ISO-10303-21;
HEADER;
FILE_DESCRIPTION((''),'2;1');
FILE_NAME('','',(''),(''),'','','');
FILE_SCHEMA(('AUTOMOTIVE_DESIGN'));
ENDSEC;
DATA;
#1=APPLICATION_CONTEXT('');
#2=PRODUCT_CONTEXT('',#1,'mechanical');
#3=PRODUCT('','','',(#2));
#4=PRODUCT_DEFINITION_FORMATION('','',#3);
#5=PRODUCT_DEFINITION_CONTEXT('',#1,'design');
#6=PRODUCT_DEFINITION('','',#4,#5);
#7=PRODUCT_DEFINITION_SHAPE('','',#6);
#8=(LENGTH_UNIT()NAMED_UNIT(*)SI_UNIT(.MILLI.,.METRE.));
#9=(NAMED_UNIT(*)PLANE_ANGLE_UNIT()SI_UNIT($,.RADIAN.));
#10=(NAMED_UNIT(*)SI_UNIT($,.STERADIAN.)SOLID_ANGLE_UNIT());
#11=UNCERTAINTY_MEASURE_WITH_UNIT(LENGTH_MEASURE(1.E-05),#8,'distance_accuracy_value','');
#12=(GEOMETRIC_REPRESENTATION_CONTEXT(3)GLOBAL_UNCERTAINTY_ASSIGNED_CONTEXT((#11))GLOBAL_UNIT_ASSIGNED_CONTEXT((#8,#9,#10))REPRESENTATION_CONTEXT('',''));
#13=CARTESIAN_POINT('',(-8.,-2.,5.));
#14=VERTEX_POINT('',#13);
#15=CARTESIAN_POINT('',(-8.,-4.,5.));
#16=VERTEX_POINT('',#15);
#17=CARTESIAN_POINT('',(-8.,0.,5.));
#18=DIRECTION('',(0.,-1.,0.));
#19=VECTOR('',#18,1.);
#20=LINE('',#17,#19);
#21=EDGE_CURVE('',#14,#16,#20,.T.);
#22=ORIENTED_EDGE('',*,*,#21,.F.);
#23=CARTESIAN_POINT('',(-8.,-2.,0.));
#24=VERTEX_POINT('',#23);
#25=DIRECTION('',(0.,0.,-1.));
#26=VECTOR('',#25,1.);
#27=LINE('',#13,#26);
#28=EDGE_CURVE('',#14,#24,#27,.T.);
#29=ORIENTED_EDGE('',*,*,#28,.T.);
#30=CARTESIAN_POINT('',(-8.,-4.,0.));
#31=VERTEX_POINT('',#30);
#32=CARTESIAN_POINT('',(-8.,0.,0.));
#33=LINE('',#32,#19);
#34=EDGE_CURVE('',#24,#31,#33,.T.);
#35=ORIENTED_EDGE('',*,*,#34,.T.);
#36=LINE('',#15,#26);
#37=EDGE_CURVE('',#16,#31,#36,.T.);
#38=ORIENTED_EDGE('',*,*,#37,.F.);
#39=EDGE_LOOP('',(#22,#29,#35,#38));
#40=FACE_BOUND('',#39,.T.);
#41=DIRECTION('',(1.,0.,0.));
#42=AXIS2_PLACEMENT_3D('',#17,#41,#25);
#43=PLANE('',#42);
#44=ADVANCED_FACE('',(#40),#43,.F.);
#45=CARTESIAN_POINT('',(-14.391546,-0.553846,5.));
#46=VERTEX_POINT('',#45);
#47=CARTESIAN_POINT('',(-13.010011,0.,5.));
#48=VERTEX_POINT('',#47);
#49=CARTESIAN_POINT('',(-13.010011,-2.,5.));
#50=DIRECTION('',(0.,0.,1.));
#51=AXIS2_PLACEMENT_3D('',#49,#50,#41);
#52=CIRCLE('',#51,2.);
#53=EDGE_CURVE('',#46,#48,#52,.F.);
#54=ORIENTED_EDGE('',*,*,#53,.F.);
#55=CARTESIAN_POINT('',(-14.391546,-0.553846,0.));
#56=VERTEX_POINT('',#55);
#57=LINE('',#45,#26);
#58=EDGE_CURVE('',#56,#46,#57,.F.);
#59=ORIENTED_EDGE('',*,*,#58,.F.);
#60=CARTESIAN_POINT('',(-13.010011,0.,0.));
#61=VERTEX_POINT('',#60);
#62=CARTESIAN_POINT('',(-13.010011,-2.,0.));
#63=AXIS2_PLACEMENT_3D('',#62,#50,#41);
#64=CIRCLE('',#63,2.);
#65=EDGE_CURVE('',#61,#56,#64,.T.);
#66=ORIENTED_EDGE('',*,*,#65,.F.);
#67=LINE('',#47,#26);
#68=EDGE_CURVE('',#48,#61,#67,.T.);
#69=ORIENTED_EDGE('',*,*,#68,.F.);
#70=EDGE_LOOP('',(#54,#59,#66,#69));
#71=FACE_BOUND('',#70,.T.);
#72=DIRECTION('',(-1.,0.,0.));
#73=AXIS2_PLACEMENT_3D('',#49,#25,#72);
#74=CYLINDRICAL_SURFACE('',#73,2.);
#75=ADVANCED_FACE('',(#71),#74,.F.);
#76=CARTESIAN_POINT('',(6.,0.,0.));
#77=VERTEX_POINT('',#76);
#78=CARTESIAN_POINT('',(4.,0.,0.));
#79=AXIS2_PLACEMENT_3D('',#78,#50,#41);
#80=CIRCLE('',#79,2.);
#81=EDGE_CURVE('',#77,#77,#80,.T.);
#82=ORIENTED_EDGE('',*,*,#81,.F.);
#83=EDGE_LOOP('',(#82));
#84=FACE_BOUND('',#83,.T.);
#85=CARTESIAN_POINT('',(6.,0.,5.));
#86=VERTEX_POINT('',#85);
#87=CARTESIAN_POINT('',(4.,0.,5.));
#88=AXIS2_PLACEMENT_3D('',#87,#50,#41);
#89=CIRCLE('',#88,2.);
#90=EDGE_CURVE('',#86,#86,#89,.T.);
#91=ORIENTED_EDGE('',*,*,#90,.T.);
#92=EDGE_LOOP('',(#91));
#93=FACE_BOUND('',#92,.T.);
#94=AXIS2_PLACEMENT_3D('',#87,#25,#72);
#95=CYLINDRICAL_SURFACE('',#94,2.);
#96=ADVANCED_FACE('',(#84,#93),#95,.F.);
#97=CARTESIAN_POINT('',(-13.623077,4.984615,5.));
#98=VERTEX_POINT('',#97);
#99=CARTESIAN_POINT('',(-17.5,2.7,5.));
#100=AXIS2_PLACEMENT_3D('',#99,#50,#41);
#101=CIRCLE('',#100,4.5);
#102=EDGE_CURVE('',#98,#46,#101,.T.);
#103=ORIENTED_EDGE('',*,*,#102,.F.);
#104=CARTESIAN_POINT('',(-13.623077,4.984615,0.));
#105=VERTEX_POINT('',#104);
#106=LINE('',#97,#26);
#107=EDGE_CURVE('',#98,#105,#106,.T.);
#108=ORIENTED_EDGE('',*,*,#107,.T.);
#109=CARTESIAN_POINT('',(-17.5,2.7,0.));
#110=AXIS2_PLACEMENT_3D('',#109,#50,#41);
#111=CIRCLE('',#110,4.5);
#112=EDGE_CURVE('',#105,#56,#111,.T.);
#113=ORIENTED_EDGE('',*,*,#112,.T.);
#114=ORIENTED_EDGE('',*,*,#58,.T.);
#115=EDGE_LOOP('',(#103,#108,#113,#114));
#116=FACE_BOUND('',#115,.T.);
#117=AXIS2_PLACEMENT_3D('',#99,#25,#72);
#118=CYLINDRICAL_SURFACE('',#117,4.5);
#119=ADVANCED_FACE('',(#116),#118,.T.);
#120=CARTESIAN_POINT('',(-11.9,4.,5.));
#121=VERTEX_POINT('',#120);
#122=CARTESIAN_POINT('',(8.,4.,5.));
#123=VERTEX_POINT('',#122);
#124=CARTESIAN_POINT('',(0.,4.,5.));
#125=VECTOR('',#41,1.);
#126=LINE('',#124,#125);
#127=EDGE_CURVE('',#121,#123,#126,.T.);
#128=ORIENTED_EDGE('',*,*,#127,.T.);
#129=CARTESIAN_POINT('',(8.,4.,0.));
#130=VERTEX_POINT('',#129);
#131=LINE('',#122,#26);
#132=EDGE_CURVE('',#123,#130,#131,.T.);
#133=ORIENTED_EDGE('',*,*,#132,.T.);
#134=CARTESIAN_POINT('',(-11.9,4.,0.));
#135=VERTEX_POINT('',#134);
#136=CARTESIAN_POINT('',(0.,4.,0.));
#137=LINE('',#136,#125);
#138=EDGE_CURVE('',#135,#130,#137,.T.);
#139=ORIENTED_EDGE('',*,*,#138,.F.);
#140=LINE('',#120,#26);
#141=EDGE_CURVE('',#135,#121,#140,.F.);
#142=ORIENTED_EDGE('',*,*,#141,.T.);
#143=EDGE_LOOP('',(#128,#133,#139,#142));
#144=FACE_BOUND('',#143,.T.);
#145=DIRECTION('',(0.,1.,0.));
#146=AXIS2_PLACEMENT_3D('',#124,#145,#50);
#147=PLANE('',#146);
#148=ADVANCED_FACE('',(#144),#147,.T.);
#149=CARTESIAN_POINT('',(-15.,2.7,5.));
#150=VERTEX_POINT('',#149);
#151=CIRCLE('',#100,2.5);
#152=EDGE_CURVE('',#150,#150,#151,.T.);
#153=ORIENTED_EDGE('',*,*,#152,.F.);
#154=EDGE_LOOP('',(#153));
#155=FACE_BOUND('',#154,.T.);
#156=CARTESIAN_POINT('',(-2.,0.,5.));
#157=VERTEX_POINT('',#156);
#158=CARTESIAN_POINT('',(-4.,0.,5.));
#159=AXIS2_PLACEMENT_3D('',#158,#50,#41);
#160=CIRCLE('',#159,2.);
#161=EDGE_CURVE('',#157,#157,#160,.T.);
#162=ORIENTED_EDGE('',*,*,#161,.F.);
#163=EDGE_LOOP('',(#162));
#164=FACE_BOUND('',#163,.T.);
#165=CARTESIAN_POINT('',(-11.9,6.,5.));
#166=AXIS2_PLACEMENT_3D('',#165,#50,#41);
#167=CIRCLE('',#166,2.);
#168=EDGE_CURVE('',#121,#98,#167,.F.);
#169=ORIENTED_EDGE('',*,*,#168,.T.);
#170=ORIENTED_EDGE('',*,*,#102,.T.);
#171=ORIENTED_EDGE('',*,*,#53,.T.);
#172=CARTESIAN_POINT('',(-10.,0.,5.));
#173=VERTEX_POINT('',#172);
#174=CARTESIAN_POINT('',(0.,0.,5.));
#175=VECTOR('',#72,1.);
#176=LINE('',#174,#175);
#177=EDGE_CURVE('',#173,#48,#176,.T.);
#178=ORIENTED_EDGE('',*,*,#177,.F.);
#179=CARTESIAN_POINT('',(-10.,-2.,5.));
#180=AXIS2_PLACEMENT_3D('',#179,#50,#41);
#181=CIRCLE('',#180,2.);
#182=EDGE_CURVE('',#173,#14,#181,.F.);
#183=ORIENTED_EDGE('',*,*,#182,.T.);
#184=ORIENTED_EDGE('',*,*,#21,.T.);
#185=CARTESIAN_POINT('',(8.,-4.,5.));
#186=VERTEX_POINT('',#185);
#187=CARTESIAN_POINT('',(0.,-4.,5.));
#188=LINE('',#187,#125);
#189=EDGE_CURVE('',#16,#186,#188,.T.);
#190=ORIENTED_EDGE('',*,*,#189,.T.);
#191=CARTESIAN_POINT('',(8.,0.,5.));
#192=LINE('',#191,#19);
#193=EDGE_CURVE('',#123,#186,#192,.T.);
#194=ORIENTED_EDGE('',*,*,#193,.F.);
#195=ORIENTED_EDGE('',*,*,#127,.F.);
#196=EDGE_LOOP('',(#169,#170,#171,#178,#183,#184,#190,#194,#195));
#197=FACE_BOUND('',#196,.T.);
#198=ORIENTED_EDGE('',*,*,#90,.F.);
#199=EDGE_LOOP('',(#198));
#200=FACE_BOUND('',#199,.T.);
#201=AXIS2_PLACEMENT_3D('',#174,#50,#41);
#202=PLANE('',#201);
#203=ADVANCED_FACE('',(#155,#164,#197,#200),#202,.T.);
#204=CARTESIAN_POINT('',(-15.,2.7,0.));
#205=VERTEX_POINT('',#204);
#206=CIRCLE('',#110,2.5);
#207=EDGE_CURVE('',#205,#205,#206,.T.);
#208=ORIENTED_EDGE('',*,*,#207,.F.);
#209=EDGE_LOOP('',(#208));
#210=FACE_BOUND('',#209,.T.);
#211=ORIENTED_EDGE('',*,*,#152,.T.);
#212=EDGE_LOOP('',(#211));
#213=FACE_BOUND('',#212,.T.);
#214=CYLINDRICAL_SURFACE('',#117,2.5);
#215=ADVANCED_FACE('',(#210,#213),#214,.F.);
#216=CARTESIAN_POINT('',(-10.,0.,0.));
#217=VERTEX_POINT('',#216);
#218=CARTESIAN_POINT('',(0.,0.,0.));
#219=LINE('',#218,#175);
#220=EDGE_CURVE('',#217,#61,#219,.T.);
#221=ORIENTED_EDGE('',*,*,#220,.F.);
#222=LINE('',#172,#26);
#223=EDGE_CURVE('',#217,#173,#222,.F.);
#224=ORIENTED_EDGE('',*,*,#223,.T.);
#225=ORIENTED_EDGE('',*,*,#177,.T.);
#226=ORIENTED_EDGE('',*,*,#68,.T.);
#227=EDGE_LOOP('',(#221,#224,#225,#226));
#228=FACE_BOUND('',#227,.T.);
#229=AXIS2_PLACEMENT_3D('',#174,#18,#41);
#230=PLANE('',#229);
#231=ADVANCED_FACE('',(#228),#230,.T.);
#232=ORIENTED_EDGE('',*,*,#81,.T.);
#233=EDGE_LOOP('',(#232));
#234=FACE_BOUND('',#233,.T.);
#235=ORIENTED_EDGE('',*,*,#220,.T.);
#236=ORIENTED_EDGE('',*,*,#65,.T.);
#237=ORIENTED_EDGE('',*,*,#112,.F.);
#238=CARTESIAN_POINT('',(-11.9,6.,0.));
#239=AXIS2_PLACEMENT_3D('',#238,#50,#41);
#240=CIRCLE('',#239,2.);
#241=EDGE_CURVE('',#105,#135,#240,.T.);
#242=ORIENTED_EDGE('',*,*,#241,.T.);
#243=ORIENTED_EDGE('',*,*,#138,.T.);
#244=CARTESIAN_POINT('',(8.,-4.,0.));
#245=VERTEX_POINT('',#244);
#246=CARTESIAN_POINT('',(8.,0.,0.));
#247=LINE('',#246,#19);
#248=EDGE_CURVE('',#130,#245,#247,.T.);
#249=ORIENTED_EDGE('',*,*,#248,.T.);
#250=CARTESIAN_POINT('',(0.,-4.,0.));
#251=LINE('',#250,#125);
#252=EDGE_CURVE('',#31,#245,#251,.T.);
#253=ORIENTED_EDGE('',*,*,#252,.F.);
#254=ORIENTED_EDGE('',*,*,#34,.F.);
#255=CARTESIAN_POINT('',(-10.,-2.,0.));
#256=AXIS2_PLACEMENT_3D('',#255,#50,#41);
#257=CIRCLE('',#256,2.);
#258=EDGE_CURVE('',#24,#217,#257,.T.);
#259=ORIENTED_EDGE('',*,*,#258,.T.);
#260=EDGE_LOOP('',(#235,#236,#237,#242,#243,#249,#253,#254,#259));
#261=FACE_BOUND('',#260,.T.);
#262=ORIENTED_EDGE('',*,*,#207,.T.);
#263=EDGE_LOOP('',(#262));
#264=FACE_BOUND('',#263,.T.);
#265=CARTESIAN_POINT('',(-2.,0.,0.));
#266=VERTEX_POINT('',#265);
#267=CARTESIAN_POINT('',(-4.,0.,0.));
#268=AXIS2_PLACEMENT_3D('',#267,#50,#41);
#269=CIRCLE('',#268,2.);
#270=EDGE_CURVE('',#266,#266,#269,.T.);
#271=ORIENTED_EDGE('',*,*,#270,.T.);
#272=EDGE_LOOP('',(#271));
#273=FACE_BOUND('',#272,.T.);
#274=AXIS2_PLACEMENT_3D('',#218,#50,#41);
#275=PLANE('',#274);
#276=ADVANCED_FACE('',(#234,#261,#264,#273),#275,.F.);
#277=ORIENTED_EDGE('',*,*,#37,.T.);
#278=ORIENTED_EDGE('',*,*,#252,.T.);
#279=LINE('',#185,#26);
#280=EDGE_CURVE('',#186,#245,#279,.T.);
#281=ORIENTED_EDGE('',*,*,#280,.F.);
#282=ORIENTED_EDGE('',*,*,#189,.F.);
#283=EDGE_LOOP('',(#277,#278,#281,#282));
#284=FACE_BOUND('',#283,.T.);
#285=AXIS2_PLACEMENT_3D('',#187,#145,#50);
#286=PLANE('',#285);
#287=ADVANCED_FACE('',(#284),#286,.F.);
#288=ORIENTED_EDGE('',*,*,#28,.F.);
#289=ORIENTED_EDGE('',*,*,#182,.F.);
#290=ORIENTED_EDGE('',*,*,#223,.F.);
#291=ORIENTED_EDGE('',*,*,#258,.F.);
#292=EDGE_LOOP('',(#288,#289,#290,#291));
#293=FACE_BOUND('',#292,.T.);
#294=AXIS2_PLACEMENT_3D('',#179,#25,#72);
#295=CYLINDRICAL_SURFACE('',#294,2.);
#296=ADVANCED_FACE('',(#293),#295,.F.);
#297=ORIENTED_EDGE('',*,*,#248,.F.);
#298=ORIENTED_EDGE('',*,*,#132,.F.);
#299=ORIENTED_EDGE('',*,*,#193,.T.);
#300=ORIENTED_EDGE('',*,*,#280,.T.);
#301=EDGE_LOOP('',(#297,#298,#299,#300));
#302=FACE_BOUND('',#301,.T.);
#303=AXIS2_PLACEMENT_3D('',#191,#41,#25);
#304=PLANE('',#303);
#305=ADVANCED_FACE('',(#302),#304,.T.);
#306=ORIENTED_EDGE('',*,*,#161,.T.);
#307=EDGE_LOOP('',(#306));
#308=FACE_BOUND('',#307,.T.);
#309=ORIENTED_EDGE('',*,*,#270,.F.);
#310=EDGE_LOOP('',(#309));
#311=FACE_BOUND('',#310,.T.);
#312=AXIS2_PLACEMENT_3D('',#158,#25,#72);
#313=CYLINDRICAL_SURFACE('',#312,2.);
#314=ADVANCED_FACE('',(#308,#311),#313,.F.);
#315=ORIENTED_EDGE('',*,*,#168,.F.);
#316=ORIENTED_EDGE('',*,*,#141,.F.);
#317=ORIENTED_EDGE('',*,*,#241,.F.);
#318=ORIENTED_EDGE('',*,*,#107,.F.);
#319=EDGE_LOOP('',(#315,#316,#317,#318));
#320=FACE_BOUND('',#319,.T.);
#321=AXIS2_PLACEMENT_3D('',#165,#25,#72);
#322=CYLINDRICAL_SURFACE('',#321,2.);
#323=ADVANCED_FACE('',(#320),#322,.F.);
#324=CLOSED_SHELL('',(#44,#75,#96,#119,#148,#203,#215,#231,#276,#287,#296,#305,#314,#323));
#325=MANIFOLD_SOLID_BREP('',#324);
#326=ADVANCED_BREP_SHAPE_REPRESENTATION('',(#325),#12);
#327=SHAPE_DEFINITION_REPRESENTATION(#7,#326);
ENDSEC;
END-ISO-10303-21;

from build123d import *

# Parameters (mm, degrees)
SKETCH1_R           = 2
BOSS_EXTRUDE1_DEPTH = 5
FILLET1_R           = 2


with BuildPart() as part:
    # Sketch1 → Boss-Extrude1 (new body)
    with BuildSketch(Plane.XY):
        with BuildLine():
            Line((8, 4), (-13.191868154, 4))
            ThreePointArc((-13.191868154, 4), (-21.931098884, 3.484450558), (-13.9, 0))
            Line((-13.9, 0), (-8, 0))
            Line((-8, 0), (-8, -4))
            Line((-8, -4), (8, -4))
            Line((8, -4), (8, 4))
        make_face()
        with Locations((-4, 0)):
            Circle(SKETCH1_R, mode=Mode.SUBTRACT)
        with Locations((4, 0)):
            Circle(SKETCH1_R, mode=Mode.SUBTRACT)
        with BuildLine():
            ThreePointArc((-20, 2.7), (-17.5, 5.2), (-15, 2.7))
            ThreePointArc((-15, 2.7), (-17.5, 0.2), (-20, 2.7))
        make_face(mode=Mode.SUBTRACT)
    extrude(amount=BOSS_EXTRUDE1_DEPTH)

    # Fillet1
    fillet1_edges = [part.edges().sort_by_distance(p)[0] for p in [
        (-13.9, 0, 2.5),
        (-8, 0, 2.5),
        (-13.191868154, 4, 2.5),
    ]]
    fillet(fillet1_edges, radius=FILLET1_R)


solid = part.part
